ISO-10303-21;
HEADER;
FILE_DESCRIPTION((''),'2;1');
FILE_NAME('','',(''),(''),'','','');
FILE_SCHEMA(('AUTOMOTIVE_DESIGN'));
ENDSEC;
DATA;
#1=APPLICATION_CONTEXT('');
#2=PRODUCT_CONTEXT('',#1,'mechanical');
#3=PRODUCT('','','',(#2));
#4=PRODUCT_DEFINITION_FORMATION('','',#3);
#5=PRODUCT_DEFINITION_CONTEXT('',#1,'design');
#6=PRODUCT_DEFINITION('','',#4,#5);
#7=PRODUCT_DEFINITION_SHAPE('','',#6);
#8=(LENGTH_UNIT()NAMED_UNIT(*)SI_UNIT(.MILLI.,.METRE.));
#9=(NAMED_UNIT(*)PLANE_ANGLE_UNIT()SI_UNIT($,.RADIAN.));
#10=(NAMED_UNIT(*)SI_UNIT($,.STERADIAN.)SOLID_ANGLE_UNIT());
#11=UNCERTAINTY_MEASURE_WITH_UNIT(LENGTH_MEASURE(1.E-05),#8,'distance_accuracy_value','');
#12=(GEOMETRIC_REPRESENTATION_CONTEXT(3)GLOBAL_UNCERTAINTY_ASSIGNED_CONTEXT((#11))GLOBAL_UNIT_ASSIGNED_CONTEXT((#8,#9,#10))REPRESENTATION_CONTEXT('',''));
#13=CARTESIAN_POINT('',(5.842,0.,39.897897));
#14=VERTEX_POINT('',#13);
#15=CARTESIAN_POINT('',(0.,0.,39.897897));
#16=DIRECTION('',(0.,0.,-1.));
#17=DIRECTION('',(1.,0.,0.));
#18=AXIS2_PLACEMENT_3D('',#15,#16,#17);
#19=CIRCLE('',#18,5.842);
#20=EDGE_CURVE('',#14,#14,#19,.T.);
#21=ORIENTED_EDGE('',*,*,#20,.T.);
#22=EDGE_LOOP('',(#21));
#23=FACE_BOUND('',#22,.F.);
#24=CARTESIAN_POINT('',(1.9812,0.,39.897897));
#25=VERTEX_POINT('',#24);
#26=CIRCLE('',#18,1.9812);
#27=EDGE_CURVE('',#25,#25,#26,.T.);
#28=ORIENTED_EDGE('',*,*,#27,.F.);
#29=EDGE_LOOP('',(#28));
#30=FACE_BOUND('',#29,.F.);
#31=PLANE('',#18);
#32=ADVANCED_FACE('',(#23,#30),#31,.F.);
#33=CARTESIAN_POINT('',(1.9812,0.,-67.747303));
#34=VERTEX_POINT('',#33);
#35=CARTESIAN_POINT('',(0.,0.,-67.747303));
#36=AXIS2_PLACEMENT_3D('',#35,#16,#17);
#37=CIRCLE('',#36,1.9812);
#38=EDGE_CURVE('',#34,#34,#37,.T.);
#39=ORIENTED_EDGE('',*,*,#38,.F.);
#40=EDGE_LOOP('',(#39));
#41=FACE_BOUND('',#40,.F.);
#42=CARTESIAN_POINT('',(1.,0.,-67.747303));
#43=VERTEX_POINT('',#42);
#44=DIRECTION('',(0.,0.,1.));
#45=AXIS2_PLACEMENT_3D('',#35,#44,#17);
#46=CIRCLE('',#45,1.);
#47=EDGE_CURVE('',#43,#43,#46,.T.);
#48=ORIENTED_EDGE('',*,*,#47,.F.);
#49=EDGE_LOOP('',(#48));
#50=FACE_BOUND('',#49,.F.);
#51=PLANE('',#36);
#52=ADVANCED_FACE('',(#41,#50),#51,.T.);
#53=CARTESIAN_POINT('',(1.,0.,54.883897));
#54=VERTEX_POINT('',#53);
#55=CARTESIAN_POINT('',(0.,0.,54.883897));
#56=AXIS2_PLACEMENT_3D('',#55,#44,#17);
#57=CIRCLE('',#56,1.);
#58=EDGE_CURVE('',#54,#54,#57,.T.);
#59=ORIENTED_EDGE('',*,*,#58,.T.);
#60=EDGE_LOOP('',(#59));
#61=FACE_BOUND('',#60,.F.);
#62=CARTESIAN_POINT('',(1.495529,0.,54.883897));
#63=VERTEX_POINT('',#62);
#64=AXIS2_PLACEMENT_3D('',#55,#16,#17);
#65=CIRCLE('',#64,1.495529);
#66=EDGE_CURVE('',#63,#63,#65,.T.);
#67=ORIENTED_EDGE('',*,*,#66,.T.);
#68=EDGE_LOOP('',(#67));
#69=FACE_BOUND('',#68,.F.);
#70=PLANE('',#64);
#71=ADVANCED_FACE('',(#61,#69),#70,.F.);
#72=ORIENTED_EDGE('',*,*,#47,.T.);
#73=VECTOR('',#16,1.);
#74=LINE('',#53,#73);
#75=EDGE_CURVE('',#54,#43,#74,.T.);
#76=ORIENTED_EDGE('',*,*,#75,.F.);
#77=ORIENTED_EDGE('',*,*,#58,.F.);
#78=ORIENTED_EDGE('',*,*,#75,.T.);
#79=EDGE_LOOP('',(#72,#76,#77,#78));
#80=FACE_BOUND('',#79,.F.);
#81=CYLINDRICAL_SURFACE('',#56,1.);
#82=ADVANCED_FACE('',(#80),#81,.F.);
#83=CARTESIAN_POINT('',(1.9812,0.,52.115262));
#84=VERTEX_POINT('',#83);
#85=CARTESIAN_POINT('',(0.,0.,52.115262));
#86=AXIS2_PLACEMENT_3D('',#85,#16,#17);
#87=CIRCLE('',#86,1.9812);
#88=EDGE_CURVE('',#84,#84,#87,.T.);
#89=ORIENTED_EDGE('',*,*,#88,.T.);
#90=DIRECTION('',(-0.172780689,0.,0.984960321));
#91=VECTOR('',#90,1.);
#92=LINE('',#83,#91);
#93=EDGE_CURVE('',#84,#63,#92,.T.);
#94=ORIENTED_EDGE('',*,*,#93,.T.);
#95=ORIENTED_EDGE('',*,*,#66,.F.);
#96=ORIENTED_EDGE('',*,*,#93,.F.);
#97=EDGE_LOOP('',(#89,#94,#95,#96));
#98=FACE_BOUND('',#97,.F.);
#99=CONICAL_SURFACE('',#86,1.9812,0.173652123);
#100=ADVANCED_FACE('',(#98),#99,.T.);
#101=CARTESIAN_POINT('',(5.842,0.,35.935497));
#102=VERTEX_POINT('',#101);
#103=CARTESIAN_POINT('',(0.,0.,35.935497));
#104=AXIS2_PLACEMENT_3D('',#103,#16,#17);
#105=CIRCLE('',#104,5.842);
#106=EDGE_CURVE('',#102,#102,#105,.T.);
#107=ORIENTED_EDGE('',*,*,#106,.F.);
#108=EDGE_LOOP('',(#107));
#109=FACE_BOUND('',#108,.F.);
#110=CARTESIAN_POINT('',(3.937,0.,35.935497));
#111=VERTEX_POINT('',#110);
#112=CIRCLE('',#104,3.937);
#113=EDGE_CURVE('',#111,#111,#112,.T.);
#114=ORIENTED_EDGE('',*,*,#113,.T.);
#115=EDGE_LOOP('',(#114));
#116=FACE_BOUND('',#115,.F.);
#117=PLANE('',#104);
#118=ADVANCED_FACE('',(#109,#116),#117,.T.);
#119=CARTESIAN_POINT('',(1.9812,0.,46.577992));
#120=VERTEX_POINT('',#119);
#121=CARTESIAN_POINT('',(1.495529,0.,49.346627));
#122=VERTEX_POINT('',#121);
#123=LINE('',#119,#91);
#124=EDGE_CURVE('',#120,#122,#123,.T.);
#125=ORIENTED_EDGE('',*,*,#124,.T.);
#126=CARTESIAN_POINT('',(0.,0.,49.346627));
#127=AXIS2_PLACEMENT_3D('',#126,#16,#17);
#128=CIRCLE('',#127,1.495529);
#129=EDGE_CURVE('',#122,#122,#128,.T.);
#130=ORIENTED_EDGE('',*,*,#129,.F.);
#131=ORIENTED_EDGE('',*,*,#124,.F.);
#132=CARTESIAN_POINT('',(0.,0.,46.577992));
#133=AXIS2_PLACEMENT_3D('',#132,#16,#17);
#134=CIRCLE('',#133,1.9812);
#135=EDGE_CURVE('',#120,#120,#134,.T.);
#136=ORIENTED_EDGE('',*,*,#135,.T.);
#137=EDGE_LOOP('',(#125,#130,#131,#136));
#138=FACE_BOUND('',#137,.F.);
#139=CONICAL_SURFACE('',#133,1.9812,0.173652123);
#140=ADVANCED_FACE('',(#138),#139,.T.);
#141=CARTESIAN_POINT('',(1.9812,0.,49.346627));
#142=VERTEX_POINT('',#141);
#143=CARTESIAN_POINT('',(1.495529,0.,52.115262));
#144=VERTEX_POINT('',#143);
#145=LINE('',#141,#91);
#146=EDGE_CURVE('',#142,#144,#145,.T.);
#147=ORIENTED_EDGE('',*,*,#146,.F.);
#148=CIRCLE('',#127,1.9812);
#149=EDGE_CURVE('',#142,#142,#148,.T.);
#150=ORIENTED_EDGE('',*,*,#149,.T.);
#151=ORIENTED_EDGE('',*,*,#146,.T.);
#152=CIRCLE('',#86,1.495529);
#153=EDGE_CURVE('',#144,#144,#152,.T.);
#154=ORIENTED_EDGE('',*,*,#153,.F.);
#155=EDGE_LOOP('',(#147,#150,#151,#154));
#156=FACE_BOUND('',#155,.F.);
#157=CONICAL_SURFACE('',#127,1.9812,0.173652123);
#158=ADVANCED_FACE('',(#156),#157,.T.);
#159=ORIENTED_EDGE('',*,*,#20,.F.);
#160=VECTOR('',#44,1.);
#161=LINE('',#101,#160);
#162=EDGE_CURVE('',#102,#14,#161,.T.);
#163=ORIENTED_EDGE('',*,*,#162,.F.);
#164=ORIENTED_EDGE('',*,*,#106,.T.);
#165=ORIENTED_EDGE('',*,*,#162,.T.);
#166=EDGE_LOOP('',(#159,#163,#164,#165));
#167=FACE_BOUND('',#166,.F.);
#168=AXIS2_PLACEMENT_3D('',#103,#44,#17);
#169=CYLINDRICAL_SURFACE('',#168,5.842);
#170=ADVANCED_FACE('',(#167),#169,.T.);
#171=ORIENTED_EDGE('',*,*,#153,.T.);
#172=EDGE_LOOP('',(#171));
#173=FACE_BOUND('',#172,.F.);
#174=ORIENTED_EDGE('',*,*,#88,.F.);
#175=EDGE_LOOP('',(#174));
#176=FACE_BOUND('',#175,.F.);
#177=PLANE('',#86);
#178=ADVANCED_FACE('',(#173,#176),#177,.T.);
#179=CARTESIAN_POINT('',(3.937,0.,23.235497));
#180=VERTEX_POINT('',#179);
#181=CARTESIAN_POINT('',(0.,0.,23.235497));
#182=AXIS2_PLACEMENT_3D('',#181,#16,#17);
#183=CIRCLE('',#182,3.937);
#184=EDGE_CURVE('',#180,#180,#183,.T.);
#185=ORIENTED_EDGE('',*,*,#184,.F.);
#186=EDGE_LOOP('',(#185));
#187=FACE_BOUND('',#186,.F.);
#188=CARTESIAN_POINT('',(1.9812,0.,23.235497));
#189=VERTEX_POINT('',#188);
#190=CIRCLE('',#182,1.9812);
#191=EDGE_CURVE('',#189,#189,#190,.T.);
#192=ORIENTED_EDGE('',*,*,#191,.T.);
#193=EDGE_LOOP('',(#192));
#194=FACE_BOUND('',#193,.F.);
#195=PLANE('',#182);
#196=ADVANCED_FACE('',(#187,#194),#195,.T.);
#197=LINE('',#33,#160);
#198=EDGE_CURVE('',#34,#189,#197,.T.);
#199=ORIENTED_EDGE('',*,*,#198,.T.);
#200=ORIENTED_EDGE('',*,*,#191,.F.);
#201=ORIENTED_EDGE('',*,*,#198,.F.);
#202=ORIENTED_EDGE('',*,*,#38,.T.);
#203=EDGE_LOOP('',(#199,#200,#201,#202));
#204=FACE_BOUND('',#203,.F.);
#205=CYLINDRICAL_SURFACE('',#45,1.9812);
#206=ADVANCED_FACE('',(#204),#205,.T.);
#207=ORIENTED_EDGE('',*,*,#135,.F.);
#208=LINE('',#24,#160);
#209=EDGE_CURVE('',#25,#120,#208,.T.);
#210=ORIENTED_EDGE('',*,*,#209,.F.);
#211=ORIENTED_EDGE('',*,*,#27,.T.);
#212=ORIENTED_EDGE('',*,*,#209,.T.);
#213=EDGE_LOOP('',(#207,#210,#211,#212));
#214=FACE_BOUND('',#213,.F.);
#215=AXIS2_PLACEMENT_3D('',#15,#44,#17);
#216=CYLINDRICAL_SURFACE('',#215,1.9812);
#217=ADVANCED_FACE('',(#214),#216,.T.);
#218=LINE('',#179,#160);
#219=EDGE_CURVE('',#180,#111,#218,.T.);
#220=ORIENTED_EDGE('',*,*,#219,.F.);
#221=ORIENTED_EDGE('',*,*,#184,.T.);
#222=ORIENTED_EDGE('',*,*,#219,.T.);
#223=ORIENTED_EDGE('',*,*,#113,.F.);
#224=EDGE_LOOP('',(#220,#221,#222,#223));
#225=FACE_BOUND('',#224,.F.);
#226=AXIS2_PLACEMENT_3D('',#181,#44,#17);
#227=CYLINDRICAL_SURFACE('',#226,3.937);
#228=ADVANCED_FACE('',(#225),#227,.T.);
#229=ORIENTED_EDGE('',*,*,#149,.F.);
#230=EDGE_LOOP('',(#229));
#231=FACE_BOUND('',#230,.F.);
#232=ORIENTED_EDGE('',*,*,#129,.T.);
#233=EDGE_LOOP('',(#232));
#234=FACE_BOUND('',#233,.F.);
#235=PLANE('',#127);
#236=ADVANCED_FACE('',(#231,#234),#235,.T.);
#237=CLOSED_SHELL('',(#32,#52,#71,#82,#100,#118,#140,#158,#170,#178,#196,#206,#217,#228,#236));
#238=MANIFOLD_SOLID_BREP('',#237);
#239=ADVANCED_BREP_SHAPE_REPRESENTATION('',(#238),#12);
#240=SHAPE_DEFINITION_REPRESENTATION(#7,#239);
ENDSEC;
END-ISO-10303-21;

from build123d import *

# Parameters (mm, degrees)
F2_R     = 1
F3_DEPTH = 122.6322


with BuildPart() as f1:
    # F0 (on Front) → F1 (revolve)
    with BuildSketch(Plane.XZ):
        Polygon((1.495529, 54.883897), (0, 54.883897), (0, -67.747303), (1.9812, -67.747303), (1.9812, 23.235497), (3.937, 23.235497), (3.937, 35.935497), (5.842, 35.935497), (5.842, 39.897897), (1.9812, 39.897897), (1.9812, 46.577992), (1.495529, 49.346627), (1.9812, 49.346627), (1.495529, 52.115262), (1.9812, 52.115262), align=None)
    revolve(axis=Axis((0, 0, -6.431703), (0, 0, -1)))

    # F2 (on face) → F3 (cut, through all)
    with BuildSketch(Plane.XY.offset(54.883897)):
        Circle(F2_R)
    extrude(amount=-F3_DEPTH, mode=Mode.SUBTRACT)


solid = f1.part
